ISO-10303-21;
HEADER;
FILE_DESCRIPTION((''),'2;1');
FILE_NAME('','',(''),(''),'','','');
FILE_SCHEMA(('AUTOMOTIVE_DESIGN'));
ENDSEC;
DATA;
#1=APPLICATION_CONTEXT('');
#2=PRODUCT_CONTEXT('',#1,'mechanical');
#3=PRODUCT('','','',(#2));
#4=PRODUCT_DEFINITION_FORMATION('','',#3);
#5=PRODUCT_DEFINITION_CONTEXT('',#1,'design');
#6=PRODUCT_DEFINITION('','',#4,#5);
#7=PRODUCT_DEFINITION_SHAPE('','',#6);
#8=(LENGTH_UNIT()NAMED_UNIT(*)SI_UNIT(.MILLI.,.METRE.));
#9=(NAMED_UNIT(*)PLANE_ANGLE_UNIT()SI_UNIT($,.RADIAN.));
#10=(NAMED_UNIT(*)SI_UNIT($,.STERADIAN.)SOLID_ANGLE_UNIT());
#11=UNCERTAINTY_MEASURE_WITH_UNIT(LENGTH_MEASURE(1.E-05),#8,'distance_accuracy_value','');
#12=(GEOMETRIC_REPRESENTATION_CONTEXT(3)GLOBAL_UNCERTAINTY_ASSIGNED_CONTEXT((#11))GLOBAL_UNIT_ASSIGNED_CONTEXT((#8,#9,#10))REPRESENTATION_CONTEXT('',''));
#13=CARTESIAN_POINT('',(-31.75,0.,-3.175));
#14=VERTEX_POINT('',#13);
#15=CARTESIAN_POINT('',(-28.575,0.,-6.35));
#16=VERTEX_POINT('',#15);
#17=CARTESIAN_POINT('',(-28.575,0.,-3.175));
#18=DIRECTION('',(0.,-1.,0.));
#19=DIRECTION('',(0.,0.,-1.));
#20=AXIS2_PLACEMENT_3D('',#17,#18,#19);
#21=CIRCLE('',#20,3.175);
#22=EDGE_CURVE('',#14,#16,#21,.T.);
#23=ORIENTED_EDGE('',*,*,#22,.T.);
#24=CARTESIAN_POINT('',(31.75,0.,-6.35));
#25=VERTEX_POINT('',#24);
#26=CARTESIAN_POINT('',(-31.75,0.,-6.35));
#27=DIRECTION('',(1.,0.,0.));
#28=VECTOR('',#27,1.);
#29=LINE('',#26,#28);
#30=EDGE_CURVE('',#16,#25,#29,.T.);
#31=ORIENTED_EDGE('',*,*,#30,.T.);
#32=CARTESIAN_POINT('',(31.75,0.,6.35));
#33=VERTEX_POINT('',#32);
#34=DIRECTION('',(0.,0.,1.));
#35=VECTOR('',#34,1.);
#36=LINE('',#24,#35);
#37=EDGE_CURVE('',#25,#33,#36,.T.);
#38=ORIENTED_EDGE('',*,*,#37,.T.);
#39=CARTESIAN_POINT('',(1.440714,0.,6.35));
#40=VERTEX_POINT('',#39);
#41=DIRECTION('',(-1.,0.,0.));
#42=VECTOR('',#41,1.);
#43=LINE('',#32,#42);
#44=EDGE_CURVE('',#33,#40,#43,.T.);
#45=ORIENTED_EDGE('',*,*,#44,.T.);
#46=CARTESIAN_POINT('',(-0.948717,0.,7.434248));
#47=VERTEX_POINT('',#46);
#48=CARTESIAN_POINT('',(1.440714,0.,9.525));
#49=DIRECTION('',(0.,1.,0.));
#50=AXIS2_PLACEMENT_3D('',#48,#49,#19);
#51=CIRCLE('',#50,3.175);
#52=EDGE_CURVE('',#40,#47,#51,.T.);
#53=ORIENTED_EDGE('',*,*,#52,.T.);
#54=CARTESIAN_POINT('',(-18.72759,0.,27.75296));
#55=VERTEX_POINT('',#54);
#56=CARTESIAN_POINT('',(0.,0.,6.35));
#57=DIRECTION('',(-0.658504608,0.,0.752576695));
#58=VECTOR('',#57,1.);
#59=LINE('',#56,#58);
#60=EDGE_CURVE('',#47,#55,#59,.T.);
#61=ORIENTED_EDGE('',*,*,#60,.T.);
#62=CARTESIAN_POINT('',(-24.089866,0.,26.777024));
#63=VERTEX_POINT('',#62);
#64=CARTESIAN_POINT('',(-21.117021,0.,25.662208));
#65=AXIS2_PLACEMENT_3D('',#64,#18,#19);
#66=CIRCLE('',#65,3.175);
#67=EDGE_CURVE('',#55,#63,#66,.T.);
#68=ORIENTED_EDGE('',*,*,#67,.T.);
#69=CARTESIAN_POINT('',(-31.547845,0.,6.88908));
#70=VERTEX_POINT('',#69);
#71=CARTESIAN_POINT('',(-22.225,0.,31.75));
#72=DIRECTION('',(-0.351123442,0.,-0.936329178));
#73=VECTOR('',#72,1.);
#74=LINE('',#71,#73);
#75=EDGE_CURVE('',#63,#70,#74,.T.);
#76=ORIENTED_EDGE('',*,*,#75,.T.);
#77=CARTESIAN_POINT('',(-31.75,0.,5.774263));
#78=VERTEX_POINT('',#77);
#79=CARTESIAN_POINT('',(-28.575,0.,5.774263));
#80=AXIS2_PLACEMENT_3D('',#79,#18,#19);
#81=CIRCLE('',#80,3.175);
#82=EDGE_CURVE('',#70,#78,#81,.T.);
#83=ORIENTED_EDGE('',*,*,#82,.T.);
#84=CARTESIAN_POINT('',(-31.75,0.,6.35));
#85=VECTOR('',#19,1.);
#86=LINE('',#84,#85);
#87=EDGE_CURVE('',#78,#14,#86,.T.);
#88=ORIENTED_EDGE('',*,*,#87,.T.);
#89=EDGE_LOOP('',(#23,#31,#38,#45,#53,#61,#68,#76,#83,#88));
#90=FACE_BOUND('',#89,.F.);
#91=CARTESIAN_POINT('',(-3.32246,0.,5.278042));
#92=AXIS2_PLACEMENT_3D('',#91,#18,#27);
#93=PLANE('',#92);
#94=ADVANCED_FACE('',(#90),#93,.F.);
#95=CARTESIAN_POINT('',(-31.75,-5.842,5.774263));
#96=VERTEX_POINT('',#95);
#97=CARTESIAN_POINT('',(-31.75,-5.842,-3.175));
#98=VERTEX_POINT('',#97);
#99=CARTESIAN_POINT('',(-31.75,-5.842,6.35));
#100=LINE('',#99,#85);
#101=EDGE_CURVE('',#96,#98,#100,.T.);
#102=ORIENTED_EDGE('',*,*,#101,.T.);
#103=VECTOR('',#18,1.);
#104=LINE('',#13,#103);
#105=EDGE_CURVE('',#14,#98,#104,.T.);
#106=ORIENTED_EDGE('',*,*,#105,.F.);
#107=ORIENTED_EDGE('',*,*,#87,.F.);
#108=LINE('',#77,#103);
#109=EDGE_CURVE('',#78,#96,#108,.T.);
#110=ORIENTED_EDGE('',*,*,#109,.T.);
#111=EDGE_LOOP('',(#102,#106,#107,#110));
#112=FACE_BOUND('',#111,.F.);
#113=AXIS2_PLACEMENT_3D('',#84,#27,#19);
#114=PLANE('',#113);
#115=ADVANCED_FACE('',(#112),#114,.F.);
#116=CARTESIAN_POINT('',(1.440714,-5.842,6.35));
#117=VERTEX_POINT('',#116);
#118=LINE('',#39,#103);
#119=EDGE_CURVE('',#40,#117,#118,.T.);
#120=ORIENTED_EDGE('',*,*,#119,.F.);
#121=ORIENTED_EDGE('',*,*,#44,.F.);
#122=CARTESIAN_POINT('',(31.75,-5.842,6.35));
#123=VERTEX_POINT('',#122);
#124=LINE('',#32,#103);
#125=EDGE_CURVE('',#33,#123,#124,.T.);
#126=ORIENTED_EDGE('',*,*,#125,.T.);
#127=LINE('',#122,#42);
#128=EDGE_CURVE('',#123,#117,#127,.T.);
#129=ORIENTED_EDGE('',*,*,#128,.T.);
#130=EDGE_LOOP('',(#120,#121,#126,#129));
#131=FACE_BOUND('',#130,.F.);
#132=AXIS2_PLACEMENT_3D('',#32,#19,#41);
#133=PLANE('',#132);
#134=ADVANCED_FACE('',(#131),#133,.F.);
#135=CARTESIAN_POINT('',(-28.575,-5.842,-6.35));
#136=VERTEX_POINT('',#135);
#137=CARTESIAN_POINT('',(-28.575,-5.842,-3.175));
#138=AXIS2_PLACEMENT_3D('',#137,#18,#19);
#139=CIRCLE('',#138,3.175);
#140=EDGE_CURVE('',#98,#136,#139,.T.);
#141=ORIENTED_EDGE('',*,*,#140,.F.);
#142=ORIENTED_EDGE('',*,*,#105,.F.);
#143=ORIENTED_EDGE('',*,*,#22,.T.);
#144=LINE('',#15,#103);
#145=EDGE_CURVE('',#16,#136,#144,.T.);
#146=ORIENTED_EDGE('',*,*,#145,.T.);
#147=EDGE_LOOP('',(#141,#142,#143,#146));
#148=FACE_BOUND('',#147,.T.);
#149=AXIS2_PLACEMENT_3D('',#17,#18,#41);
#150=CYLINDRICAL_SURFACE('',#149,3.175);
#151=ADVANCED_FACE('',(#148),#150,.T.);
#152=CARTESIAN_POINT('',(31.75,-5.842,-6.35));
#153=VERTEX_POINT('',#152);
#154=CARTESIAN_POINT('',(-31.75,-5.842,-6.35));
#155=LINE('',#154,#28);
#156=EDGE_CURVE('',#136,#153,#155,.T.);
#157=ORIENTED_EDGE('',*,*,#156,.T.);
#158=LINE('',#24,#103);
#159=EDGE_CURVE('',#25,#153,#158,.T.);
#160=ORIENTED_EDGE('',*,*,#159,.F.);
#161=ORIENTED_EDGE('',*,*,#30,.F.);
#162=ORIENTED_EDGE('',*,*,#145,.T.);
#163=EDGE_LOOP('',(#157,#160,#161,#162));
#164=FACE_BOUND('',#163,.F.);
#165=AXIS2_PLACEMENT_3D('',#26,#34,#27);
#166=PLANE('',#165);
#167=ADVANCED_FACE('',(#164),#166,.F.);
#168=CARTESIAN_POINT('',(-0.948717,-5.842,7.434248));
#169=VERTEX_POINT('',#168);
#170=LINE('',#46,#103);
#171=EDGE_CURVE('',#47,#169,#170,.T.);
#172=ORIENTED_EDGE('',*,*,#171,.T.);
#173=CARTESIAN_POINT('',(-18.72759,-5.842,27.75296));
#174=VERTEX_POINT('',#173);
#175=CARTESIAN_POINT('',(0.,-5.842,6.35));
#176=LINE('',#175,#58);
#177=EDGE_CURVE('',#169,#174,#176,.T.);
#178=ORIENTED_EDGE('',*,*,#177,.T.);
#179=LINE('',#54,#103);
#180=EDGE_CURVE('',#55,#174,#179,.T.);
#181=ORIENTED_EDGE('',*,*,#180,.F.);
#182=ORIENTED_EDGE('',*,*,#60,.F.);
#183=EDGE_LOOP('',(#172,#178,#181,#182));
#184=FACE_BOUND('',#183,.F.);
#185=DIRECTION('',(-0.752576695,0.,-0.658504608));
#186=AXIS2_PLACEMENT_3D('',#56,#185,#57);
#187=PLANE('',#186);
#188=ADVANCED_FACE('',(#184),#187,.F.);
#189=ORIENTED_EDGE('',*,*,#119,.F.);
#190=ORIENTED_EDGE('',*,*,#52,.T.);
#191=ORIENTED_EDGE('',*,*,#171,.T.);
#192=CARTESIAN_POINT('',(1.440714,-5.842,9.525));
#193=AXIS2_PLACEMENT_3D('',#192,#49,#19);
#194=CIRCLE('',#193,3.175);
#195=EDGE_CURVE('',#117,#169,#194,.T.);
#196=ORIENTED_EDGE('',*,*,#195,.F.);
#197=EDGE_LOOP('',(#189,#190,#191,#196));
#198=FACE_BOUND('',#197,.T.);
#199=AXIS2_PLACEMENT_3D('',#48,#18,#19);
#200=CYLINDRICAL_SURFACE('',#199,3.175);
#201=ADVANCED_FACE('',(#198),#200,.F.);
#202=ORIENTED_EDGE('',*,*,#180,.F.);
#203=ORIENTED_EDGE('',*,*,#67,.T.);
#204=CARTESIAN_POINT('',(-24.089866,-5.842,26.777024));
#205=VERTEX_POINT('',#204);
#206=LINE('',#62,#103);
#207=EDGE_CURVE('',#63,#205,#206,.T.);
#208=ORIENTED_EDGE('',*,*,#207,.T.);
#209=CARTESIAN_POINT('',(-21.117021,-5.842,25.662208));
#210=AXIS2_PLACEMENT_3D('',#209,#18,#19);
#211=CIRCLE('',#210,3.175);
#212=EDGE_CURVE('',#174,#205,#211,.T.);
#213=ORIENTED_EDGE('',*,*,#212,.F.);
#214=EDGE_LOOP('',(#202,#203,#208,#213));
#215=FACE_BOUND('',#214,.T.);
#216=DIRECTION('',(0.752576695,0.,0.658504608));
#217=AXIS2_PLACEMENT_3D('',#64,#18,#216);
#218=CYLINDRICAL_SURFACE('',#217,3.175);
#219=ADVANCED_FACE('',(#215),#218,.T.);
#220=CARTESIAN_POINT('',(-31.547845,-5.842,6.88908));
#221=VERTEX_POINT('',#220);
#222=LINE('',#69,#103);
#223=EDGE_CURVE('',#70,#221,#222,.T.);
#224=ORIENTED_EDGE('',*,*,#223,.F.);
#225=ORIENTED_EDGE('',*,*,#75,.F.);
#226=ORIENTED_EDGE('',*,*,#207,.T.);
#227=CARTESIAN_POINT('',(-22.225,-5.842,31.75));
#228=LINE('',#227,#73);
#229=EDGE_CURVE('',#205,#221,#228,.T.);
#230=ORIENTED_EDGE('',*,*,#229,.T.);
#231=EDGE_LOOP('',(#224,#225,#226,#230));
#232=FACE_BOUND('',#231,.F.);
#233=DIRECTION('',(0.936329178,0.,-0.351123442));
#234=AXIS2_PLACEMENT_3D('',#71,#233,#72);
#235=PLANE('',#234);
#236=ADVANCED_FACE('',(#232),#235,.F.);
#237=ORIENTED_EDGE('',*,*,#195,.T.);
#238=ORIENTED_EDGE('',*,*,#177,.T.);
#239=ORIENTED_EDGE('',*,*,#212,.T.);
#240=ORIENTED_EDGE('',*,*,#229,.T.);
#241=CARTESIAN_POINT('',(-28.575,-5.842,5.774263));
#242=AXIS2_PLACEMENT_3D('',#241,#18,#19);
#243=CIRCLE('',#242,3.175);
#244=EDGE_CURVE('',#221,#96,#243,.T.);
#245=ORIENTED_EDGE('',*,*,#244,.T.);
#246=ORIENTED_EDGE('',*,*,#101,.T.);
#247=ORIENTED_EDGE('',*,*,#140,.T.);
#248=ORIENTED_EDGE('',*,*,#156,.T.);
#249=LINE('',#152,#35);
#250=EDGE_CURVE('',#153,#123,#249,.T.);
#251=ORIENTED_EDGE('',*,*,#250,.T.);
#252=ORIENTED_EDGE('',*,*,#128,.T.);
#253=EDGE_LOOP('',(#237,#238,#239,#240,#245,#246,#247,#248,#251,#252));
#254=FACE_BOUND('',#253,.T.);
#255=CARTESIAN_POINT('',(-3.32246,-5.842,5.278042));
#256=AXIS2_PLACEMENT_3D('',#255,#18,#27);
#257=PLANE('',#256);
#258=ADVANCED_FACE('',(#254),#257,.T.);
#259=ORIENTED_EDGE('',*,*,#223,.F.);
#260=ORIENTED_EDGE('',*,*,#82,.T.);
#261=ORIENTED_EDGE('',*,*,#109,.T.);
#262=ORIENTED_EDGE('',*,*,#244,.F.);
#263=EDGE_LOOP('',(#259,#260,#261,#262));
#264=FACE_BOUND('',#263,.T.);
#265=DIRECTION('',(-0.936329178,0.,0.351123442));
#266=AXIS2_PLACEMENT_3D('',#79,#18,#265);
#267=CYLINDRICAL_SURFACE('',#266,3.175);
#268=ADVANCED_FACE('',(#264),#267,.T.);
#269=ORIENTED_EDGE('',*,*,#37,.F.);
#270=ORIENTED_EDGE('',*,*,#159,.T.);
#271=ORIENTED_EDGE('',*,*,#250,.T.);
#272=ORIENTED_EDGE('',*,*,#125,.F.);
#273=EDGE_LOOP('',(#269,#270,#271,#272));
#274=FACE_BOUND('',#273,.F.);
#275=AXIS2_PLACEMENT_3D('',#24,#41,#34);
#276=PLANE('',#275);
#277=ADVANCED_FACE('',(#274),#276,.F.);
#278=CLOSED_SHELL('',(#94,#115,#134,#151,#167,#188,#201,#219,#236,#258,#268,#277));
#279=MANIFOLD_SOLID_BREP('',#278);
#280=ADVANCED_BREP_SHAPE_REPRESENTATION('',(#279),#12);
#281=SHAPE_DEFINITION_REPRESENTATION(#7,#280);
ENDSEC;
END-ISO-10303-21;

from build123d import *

# Parameters (mm, degrees)
F1_DEPTH = 5.842
F2_R     = 3.175
F3_R     = 3.175


with BuildPart() as f1:
    # F0 (on Front) → F1 (new body)
    with BuildSketch(Plane.XZ):
        Polygon((31.75, 6.35), (0, 6.35), (-22.225, 31.75), (-31.75, 6.35), (-31.75, -6.35), (31.75, -6.35), align=None)
    extrude(amount=F1_DEPTH)

    # F2
    f2_edges = [f1.edges().sort_by_distance(p)[0] for p in [
        (0, -2.921, 6.35),
        (-31.75, -2.921, 6.35),
        (-31.75, -2.921, -6.35),
    ]]
    fillet(f2_edges, radius=F2_R)

    # F3
    f3_edges = [f1.edges().sort_by_distance(p)[0] for p in [
        (-22.225, -2.921, 31.75),
    ]]
    fillet(f3_edges, radius=F3_R)


solid = f1.part
